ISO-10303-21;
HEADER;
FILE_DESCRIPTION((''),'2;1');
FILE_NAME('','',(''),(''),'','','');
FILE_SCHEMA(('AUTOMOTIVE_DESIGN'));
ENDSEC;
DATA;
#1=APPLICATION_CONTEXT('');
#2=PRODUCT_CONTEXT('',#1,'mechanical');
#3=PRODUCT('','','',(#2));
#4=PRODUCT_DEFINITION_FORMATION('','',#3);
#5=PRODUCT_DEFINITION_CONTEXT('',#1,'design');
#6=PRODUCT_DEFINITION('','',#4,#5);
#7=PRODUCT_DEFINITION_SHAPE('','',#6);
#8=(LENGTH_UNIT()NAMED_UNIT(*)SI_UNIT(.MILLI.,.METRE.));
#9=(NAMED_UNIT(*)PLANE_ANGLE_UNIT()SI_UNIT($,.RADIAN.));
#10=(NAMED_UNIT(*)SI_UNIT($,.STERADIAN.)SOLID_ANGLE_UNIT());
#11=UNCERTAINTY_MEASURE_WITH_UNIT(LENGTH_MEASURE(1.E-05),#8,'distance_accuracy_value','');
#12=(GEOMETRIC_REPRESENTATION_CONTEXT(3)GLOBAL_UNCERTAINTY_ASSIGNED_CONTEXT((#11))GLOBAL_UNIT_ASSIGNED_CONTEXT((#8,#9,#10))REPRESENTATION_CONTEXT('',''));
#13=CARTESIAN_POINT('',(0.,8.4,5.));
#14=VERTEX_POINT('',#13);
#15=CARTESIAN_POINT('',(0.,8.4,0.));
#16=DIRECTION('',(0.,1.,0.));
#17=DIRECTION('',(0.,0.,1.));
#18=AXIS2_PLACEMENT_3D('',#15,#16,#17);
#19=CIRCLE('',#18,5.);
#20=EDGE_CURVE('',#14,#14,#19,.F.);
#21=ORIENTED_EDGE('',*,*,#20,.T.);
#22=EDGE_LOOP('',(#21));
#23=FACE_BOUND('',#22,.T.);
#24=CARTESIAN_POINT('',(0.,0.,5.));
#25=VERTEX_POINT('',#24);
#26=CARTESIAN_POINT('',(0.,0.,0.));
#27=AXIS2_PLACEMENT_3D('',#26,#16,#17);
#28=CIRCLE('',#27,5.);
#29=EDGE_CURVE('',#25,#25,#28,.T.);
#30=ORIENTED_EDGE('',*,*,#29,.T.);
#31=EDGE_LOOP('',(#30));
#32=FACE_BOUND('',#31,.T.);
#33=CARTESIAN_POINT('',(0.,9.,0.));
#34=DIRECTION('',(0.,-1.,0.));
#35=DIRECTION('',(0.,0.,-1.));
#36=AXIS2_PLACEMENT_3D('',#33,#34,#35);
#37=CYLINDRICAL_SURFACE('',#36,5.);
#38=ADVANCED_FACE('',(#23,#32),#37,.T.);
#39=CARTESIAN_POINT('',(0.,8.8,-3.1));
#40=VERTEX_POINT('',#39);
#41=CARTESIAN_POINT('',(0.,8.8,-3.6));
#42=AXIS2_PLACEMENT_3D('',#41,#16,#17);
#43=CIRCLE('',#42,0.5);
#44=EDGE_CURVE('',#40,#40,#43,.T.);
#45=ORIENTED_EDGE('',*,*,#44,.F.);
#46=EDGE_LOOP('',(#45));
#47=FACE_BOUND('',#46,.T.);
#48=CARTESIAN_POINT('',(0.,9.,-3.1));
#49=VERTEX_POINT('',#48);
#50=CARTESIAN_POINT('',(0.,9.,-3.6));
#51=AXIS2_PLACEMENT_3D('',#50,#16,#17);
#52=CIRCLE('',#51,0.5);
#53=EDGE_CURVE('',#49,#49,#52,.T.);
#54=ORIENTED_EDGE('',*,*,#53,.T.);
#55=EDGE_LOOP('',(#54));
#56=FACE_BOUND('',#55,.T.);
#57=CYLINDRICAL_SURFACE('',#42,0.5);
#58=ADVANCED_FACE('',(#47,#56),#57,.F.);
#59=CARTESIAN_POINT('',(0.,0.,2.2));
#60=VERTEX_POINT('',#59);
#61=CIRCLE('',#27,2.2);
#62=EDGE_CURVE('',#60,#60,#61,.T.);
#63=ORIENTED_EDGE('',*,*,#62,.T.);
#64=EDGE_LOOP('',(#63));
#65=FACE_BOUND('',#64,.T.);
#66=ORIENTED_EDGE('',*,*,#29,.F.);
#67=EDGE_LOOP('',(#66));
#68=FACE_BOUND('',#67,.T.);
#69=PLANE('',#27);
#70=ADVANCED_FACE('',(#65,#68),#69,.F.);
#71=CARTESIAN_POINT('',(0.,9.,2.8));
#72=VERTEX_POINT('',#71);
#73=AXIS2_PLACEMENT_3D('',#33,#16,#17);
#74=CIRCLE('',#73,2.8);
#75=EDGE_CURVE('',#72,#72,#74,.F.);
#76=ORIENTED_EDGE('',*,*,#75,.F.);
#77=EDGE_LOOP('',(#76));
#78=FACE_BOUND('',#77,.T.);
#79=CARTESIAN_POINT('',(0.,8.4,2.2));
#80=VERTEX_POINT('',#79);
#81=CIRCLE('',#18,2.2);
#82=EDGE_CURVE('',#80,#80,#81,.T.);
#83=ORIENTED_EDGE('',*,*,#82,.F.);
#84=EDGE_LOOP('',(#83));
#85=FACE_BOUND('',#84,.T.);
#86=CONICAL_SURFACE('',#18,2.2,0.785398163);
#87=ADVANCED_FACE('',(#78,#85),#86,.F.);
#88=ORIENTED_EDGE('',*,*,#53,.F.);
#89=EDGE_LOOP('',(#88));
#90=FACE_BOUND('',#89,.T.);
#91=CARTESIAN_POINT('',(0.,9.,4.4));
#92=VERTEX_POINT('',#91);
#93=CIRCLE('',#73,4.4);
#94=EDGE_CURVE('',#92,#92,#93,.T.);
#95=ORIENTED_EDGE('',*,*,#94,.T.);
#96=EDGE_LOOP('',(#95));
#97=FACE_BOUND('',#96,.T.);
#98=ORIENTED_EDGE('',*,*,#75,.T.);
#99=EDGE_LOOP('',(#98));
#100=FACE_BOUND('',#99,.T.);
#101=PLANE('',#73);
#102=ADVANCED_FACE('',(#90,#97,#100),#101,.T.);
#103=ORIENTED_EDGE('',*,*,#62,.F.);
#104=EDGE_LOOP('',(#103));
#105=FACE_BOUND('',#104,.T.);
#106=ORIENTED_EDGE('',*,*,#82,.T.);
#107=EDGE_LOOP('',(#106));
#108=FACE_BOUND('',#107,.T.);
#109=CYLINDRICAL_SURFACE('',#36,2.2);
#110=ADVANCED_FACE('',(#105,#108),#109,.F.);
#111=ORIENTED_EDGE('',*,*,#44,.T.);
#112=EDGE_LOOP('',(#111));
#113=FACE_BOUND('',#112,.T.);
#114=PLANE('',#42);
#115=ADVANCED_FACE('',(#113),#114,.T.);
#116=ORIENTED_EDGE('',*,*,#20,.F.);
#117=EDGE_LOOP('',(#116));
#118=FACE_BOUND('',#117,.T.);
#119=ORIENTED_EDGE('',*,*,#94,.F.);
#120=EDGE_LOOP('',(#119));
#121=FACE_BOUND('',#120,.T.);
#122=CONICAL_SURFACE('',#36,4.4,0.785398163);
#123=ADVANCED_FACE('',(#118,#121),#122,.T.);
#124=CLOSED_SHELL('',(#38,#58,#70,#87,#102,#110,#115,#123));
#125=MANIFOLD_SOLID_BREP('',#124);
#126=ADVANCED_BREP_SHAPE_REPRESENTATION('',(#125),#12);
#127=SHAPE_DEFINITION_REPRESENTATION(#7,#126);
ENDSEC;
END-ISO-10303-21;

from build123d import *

# Parameters (mm, degrees)
SKETCH_1_R          = 5
EXTRUDE_1_DEPTH     = 9
SKETCH_2_R          = 2.2
CUT_EXTRUDE_1_DEPTH = 10
SKETCH_3_R          = 0.5
CUT_EXTRUDE_2_DEPTH = 0.2
CHAMFER_1_SIZE      = 0.6


with BuildPart() as part:
    # ｽｹｯﾁ1 → ﾎﾞｽ - 押し出し1 (new body)
    with BuildSketch(Plane(origin=(0, 0, 0), x_dir=(1, 0, 0), z_dir=(0, 1, 0))):
        Circle(SKETCH_1_R)
    extrude(amount=EXTRUDE_1_DEPTH)

    # ｽｹｯﾁ2 → ｶｯﾄ - 押し出し1 (cut, through all)
    with BuildSketch(Plane(origin=(0, 0, 0), x_dir=(1, 0, 0), z_dir=(0, 1, 0))):
        Circle(SKETCH_2_R)
    extrude(amount=CUT_EXTRUDE_1_DEPTH, mode=Mode.SUBTRACT)

    # ｽｹｯﾁ3 → ｶｯﾄ - 押し出し2 (cut)
    with BuildSketch(Plane(origin=(0, 9, 0), x_dir=(1, 0, 0), z_dir=(0, 1, 0))):
        with Locations((0, 3.6)):
            Circle(SKETCH_3_R)
    extrude(amount=-CUT_EXTRUDE_2_DEPTH, mode=Mode.SUBTRACT)

    # 面取り1
    chamfer_1_edges = [part.edges().sort_by_distance(p)[0] for p in [
        (-5, 9, 0),
        (-2.2, 9, 0),
    ]]
    chamfer(chamfer_1_edges, length=CHAMFER_1_SIZE)


solid = part.part
